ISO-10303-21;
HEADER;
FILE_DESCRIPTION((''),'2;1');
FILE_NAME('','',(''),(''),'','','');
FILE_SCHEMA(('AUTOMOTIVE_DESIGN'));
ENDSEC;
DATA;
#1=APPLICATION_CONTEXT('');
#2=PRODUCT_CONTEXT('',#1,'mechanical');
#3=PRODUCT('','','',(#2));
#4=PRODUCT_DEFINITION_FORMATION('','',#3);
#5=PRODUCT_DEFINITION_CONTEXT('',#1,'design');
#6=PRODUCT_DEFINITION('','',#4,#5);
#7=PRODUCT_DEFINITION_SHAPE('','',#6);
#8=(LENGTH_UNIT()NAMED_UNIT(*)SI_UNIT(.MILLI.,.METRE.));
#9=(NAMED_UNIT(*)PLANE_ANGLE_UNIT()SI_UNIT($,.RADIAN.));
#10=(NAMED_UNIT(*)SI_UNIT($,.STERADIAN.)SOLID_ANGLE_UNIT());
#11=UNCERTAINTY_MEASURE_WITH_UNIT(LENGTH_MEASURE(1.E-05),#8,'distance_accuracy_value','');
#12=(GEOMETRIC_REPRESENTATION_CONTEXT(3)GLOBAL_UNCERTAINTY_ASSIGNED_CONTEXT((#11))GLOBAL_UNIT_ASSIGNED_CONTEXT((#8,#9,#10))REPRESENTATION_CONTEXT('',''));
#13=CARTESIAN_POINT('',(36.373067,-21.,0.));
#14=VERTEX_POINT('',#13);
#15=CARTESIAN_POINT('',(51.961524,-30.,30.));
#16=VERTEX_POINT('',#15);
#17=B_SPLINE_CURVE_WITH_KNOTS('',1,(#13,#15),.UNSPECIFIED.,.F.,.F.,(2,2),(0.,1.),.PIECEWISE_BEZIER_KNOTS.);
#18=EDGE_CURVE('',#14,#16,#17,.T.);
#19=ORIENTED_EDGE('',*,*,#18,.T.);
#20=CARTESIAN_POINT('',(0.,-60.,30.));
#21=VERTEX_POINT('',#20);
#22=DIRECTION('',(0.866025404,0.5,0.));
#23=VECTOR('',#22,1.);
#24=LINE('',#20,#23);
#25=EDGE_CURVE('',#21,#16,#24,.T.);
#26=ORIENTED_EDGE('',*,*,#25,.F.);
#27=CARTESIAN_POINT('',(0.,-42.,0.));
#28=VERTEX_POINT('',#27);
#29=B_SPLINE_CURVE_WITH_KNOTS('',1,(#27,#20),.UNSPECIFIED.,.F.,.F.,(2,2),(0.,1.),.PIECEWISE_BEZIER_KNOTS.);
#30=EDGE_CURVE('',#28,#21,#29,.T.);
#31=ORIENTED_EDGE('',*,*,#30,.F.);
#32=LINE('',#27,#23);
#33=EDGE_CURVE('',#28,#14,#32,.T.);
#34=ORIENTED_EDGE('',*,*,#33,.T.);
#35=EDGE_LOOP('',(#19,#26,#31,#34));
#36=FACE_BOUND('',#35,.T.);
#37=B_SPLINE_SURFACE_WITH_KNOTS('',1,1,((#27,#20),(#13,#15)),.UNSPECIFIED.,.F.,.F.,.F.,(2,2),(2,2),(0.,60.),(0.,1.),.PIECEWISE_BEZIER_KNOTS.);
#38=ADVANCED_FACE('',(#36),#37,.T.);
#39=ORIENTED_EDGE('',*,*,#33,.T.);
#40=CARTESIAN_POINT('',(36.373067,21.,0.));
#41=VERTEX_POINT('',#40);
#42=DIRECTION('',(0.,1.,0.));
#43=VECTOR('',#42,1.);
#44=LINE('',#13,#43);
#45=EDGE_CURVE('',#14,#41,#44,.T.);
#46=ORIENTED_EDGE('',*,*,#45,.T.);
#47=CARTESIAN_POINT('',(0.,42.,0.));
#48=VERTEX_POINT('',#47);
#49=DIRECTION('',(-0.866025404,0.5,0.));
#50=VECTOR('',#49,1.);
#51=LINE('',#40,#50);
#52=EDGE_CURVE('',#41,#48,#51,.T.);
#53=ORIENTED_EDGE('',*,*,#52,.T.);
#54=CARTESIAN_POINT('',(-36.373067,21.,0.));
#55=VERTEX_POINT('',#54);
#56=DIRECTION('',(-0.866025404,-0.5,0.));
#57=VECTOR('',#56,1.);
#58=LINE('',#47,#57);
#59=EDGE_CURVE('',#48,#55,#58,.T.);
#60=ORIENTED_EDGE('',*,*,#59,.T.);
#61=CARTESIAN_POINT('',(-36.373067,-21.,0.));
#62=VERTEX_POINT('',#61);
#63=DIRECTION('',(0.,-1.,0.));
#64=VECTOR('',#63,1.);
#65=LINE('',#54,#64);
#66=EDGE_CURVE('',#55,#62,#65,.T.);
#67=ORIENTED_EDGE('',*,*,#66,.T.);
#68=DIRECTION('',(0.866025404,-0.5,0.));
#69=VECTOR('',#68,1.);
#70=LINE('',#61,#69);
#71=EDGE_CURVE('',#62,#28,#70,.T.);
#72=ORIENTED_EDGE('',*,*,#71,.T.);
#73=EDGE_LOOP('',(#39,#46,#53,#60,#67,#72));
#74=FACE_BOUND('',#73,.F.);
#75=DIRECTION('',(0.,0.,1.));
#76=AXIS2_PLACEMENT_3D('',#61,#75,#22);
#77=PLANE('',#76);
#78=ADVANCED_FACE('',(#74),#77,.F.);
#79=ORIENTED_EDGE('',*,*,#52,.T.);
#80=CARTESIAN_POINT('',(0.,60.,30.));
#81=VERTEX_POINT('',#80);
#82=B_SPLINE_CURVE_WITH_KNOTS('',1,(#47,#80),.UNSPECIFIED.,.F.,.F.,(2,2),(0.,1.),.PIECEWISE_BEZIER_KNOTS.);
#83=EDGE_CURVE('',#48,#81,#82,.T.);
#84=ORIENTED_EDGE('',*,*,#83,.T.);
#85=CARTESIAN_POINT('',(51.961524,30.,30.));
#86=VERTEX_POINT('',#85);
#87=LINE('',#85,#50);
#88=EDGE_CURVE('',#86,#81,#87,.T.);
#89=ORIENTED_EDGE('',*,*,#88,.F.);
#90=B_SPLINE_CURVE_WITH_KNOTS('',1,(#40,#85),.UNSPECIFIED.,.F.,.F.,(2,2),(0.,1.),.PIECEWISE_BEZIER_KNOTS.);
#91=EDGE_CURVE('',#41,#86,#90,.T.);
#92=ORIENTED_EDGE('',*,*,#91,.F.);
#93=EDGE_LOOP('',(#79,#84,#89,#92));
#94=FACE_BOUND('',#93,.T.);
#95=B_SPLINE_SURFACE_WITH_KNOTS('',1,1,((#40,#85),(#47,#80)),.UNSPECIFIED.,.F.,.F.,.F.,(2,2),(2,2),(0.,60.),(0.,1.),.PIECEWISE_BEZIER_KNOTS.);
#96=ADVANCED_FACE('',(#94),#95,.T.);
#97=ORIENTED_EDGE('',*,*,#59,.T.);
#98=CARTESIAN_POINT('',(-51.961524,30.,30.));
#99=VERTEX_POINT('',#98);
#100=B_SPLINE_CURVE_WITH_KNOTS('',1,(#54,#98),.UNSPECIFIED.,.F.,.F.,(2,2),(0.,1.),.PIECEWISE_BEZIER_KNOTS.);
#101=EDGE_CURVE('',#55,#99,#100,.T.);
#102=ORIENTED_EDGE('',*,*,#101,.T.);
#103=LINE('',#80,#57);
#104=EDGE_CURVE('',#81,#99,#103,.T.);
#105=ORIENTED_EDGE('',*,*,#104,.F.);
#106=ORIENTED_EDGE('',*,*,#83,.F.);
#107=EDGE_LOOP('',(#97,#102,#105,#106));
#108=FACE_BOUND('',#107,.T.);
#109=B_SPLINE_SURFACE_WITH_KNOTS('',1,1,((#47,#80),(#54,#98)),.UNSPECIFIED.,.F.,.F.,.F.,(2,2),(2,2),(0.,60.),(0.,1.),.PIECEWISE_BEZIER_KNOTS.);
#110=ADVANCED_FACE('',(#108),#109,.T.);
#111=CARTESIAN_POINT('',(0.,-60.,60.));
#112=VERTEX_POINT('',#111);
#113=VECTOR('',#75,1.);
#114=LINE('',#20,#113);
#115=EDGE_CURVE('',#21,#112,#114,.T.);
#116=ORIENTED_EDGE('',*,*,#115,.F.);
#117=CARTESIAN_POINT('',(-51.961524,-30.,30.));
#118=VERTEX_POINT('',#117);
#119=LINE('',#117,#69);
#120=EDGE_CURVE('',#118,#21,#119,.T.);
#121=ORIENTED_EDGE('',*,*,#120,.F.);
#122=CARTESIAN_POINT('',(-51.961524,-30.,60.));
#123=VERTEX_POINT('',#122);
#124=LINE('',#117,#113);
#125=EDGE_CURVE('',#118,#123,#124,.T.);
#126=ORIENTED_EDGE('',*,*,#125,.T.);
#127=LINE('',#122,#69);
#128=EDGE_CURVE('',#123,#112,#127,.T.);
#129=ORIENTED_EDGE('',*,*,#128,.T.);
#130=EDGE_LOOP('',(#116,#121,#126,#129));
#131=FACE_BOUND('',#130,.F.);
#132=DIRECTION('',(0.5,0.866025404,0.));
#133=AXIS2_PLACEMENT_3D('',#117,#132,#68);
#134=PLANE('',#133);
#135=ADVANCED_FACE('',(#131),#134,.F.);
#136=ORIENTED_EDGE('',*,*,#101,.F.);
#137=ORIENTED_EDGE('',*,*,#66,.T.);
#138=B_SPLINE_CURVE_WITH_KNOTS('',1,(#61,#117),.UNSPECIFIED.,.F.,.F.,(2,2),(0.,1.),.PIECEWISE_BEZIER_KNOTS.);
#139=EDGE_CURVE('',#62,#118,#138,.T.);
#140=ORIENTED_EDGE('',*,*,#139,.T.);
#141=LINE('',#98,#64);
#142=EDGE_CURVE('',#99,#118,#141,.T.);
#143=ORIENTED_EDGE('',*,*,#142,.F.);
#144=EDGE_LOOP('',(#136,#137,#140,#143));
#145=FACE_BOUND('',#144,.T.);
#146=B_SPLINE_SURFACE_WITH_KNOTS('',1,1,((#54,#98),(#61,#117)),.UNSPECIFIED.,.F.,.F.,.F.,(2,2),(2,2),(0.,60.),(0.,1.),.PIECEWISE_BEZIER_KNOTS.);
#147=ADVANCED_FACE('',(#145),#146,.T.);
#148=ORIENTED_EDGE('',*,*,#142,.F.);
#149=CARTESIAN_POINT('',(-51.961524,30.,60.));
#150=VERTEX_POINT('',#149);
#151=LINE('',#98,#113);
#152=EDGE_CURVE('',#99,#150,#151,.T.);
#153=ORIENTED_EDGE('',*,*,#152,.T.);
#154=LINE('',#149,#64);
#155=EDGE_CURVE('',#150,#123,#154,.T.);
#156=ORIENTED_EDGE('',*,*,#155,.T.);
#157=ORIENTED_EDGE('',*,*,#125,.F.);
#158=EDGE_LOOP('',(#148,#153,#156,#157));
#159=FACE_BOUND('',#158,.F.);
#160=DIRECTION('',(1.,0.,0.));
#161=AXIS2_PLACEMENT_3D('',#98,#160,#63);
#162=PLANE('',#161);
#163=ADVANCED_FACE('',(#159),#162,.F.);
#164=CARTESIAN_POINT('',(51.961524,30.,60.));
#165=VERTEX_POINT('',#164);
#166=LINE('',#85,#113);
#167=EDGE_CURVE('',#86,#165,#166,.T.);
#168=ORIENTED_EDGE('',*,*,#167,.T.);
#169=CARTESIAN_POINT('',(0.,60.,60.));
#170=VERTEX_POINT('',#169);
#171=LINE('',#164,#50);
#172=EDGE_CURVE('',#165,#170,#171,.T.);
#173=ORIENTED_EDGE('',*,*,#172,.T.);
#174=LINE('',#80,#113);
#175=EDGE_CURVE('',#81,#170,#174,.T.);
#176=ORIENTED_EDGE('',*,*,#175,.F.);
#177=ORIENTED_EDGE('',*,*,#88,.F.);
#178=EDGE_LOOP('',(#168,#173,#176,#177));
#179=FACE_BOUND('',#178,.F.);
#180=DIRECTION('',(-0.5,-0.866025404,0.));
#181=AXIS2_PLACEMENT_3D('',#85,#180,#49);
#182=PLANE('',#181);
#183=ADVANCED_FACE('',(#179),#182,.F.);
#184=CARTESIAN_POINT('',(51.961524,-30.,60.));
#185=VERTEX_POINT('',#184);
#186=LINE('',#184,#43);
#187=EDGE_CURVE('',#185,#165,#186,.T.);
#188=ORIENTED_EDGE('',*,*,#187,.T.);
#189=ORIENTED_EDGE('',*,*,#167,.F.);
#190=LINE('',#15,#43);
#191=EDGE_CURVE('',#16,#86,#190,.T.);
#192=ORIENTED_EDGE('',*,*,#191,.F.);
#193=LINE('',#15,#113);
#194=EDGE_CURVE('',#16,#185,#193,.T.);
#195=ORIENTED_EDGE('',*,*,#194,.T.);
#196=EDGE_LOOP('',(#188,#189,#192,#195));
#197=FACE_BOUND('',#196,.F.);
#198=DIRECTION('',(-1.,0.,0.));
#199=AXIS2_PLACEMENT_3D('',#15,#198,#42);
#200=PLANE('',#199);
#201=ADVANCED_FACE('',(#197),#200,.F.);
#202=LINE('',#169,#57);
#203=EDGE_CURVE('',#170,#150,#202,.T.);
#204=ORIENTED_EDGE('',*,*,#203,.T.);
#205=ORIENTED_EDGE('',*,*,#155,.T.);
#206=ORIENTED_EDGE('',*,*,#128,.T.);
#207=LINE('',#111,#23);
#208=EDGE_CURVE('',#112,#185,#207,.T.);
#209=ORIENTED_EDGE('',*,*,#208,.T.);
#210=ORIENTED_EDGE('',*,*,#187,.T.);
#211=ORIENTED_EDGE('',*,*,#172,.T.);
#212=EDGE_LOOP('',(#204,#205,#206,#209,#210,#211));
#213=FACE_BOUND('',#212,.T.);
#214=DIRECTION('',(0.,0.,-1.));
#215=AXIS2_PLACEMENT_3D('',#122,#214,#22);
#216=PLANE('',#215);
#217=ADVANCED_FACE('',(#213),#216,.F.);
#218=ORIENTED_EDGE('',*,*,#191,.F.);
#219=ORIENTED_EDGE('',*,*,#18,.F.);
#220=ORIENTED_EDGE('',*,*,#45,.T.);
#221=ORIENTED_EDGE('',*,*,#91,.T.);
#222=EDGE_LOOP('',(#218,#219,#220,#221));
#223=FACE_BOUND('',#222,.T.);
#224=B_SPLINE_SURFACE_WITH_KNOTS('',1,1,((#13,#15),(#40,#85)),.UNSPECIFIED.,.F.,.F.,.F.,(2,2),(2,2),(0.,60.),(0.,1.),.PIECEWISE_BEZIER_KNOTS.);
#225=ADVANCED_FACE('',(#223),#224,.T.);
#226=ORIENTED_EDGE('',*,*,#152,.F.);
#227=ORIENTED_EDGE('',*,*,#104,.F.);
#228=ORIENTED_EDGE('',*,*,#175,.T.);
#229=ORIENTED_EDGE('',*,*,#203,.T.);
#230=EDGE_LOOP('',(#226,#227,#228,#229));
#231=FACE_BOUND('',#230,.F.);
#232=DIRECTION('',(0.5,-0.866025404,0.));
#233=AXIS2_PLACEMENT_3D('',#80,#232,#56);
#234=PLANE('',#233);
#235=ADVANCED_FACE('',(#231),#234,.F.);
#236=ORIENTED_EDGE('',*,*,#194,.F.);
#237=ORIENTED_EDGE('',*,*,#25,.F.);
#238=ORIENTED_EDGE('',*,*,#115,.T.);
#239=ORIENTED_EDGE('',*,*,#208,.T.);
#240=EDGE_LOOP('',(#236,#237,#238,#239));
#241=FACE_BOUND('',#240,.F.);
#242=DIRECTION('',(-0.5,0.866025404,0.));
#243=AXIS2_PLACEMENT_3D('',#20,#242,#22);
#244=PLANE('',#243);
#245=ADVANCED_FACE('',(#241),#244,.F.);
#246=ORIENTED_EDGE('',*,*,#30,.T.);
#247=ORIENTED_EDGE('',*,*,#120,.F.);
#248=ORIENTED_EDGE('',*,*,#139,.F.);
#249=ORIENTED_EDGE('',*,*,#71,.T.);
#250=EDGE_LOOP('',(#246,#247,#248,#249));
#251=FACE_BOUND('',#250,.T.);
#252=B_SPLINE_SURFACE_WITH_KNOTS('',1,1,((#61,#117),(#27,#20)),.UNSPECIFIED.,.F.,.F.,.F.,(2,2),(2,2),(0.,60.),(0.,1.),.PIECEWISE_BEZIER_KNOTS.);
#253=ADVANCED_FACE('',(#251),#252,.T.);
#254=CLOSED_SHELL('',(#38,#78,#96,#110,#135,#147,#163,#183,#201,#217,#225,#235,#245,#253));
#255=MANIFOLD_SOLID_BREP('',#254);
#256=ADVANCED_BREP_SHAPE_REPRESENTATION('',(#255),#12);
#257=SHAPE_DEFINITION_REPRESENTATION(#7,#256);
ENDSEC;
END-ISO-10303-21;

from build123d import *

# Parameters (mm, degrees)
F4_DEPTH = 30


with BuildPart() as f3:
    # F0 (on Top) → F3 section 0
    with BuildSketch(Plane.XY):
        Polygon((-36.3730669589, -21), (0, -42), (36.3730669589, -21), (36.3730669589, 21), (0, 42), (-36.3730669589, 21), align=None)
    # F2 (on offset) → F3 section 1
    with BuildSketch(Plane.XY.offset(30)):
        Polygon((-51.9615242271, -30), (0, -60), (51.9615242271, -30), (51.9615242271, 30), (0, 60), (-51.9615242271, 30), align=None)
    loft()

    # F4 (add): a face of the model
    f4_faces = [f3.faces().sort_by_distance(p)[0] for p in [
        (0, 0, 30),
    ]]
    extrude(f4_faces, amount=F4_DEPTH)


solid = f3.part
